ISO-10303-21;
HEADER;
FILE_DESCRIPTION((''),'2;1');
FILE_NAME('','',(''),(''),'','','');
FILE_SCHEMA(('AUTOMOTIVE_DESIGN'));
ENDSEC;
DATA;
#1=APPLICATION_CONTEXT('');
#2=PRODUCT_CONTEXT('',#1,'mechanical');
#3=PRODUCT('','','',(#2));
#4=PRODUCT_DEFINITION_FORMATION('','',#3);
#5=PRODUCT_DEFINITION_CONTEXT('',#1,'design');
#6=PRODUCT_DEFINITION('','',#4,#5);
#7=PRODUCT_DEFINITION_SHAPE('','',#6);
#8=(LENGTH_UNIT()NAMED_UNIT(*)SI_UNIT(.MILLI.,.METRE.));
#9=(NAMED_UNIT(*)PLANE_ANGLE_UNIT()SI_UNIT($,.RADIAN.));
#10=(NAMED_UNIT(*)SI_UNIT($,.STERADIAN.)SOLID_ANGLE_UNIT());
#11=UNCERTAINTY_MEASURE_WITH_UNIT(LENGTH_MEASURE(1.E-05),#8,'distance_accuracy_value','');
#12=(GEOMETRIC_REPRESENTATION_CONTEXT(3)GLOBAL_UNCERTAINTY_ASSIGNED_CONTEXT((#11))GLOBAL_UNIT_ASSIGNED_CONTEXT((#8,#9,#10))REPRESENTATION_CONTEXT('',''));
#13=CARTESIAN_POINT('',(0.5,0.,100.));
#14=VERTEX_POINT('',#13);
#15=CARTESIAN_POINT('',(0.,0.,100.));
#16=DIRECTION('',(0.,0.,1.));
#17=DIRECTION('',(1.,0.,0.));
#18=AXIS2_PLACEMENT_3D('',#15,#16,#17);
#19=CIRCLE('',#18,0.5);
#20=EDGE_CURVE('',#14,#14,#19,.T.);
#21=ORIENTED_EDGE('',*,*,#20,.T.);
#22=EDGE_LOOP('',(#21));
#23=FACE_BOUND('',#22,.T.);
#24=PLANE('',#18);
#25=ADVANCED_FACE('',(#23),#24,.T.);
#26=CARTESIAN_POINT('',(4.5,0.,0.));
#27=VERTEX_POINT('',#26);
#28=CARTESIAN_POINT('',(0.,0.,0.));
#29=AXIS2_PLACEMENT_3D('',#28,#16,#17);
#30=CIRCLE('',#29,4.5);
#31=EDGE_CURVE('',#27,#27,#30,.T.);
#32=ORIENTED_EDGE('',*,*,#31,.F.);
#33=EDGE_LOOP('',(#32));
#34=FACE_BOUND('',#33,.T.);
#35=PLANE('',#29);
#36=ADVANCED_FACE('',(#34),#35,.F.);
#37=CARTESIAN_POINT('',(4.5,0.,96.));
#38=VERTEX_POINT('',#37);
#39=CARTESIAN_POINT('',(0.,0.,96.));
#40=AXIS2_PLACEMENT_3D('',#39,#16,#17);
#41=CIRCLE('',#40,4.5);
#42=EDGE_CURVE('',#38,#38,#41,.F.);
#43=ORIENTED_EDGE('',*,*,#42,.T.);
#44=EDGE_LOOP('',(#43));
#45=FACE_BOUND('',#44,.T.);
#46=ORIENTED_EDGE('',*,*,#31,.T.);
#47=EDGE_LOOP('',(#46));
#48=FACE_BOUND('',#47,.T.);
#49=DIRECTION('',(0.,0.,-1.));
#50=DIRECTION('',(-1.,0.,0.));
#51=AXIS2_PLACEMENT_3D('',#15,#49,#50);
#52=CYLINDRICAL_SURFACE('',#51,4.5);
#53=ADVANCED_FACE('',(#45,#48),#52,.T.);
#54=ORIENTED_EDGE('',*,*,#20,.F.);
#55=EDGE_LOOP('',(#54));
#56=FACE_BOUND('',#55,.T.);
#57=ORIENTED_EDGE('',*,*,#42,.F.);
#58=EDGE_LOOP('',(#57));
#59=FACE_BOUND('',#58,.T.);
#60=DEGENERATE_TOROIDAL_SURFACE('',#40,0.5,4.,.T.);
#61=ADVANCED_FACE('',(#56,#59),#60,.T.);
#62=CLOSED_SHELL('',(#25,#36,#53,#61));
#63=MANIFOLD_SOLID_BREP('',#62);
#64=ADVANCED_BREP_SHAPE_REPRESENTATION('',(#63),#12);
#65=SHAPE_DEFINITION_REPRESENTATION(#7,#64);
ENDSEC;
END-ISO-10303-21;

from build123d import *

# Parameters (mm, degrees)
SKETCH_1_R      = 4.5
EXTRUDE_1_DEPTH = 100
FILLET_3_R      = 4


with BuildPart() as part:
    # 草图1 → 凸台-拉伸1 (new body)
    with BuildSketch(Plane.XY):
        Circle(SKETCH_1_R)
    extrude(amount=EXTRUDE_1_DEPTH)

    # 圆角3
    fillet_3_edges = [part.edges().sort_by_distance(p)[0] for p in [
        (-4.5, 0, 100),
    ]]
    fillet(fillet_3_edges, radius=FILLET_3_R)


solid = part.part
